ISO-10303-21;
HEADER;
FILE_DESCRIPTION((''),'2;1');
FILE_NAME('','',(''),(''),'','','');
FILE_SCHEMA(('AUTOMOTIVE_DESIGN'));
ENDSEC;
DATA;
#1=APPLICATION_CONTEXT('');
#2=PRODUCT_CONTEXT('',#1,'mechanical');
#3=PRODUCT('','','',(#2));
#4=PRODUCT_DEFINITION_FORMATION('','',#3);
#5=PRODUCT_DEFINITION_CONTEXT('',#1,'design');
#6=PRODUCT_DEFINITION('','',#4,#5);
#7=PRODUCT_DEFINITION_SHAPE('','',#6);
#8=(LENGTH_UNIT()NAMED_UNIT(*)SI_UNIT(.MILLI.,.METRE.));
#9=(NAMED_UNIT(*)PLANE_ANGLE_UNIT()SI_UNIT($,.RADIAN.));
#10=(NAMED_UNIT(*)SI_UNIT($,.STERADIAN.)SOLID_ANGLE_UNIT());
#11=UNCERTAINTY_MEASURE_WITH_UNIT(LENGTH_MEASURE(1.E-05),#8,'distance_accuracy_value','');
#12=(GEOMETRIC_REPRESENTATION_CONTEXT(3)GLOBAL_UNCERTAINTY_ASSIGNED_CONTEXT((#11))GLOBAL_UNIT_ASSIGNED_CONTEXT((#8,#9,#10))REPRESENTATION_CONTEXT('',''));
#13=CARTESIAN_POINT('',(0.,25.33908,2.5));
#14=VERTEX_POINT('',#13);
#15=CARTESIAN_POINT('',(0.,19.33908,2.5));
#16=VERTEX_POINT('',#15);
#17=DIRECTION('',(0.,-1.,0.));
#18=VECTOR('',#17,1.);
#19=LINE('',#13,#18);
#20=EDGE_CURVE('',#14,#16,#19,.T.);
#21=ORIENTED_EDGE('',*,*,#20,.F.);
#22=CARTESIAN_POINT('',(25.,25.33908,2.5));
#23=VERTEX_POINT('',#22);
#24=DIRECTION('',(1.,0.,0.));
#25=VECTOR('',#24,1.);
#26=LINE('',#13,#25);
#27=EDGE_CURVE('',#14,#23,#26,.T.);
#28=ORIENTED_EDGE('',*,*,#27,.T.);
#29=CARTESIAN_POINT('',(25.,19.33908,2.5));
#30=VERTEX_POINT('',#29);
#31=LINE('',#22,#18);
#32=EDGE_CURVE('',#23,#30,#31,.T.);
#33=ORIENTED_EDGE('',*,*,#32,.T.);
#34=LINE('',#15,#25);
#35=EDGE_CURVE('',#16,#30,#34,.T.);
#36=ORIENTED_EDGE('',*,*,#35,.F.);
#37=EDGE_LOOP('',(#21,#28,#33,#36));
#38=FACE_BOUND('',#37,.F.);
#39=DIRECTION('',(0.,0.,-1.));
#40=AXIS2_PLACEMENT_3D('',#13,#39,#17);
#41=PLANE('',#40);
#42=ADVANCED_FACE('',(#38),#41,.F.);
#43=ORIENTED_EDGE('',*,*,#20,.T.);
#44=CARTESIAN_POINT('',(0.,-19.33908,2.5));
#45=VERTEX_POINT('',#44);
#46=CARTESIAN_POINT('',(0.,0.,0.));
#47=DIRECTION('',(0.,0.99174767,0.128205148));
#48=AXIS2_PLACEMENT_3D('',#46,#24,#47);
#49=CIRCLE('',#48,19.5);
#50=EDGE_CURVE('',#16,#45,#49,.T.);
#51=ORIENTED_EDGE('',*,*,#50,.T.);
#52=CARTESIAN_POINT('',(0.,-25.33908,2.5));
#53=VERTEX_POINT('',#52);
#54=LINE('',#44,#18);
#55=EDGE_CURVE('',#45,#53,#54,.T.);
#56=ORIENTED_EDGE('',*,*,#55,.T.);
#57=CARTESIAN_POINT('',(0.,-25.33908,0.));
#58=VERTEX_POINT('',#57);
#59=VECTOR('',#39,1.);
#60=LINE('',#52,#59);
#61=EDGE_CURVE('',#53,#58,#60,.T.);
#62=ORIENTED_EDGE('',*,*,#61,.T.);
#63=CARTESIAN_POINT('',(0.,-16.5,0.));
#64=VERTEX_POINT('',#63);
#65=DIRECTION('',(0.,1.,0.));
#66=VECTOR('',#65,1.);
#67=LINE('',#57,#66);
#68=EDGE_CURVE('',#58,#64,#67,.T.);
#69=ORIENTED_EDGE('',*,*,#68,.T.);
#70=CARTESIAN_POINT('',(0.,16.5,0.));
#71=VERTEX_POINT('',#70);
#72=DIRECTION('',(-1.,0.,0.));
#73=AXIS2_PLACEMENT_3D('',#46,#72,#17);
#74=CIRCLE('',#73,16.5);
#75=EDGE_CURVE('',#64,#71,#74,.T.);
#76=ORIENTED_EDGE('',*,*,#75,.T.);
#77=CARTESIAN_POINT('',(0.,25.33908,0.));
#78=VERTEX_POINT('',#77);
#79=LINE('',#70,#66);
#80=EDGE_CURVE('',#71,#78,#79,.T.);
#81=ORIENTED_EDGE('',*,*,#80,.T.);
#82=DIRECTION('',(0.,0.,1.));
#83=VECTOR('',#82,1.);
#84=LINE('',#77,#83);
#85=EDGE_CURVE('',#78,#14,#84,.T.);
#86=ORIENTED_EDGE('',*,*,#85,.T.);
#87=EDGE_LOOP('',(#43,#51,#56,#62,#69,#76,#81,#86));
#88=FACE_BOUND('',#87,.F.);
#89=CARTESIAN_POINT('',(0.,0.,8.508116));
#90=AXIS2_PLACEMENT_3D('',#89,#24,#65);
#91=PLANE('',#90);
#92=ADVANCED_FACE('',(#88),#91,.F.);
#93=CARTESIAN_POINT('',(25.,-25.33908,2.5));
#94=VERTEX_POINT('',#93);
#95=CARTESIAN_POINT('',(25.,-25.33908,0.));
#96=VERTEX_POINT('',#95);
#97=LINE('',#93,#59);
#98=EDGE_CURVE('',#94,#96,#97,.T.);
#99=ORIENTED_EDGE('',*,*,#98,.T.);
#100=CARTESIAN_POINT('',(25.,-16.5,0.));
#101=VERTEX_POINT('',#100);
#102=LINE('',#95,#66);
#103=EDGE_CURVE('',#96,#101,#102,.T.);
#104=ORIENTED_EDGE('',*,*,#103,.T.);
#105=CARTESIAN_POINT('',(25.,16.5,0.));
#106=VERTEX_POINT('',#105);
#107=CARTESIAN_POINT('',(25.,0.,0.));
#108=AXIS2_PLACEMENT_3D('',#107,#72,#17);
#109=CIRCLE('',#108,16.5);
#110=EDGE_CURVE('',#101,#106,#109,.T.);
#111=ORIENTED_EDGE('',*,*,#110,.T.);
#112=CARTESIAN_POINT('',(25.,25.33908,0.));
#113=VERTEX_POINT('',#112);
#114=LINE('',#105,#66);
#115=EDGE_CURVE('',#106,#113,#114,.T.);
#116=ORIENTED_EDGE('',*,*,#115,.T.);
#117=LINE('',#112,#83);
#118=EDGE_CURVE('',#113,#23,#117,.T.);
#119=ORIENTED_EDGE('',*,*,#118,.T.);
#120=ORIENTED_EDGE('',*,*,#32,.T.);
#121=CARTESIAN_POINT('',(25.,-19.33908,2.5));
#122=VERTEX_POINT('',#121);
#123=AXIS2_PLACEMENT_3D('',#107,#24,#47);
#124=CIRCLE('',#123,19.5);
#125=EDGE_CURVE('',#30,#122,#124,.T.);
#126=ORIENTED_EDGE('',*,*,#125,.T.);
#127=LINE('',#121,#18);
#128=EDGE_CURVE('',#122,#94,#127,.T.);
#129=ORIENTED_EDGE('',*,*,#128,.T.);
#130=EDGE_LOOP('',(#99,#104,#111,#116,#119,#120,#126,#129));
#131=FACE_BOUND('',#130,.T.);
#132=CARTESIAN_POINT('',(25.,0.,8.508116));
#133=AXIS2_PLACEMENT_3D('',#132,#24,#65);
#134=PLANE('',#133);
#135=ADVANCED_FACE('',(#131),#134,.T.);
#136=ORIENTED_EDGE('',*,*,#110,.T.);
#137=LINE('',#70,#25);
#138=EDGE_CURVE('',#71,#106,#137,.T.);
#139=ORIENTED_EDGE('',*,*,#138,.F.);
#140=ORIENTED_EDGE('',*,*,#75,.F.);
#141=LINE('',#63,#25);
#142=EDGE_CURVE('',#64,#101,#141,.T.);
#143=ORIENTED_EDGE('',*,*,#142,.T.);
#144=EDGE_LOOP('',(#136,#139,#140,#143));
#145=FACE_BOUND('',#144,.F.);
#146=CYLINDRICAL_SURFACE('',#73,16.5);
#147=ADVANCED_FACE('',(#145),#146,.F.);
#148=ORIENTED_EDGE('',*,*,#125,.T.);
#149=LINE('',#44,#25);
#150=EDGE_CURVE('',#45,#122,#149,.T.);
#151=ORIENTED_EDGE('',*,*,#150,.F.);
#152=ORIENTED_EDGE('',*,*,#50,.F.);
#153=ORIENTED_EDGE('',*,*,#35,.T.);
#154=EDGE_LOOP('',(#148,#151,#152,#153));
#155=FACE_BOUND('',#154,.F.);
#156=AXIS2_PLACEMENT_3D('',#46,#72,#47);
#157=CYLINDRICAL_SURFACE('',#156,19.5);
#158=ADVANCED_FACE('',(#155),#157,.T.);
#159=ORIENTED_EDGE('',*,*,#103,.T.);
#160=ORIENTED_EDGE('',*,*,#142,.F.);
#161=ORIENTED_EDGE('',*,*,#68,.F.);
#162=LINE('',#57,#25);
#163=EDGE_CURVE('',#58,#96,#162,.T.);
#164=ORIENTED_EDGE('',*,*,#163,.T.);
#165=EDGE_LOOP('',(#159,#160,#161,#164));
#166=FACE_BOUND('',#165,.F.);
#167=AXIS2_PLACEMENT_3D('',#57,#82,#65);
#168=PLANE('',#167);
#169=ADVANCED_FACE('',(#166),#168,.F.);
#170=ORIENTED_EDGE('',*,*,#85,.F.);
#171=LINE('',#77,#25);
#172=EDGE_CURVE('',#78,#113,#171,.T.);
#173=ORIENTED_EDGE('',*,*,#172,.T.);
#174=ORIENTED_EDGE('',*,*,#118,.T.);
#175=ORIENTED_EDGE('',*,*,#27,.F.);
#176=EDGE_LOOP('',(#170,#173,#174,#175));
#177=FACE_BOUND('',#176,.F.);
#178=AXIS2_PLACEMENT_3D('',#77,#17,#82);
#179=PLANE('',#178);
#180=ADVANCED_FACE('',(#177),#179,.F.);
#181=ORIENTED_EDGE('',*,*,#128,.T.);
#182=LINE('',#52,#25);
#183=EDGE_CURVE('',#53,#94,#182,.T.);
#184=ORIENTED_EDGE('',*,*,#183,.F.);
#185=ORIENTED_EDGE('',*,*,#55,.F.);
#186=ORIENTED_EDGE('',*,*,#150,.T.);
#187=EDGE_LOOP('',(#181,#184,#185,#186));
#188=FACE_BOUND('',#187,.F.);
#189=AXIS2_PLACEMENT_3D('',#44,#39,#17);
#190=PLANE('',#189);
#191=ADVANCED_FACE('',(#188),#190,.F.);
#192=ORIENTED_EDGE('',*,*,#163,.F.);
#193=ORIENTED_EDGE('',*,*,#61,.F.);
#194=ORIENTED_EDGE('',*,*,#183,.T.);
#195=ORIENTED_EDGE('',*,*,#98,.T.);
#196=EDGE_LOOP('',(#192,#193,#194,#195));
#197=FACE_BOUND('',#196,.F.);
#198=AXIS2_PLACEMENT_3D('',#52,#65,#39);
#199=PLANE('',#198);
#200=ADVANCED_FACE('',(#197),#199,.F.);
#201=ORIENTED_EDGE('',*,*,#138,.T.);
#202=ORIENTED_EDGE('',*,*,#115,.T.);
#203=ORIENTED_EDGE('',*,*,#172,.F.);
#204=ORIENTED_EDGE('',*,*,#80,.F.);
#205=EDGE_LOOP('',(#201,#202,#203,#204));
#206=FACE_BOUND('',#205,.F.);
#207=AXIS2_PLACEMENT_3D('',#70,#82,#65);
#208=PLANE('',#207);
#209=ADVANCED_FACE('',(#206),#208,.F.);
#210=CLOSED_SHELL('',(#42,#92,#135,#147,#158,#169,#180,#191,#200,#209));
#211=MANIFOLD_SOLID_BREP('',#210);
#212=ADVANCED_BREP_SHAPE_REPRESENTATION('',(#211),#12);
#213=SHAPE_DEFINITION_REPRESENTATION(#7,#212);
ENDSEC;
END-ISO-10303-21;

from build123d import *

# Parameters (mm, degrees)
F1_DEPTH = 25


with BuildPart() as f1:
    # F0 (on Right) → F1 (new body)
    with BuildSketch(Plane.YZ):
        with BuildLine():
            Line((-19.33908, 2.5), (-25.33908, 2.5))
            Line((-25.33908, 2.5), (-25.33908, 0))
            Line((-25.33908, 0), (-16.5, 0))
            ThreePointArc((-16.5, 0), (0, 16.5), (16.5, 0))
            Line((16.5, 0), (25.33908, 0))
            Line((25.33908, 0), (25.33908, 2.5))
            Line((25.33908, 2.5), (19.33908, 2.5))
            ThreePointArc((19.33908, 2.5), (0, 19.5), (-19.33908, 2.5))
        make_face()
    extrude(amount=F1_DEPTH)


solid = f1.part
